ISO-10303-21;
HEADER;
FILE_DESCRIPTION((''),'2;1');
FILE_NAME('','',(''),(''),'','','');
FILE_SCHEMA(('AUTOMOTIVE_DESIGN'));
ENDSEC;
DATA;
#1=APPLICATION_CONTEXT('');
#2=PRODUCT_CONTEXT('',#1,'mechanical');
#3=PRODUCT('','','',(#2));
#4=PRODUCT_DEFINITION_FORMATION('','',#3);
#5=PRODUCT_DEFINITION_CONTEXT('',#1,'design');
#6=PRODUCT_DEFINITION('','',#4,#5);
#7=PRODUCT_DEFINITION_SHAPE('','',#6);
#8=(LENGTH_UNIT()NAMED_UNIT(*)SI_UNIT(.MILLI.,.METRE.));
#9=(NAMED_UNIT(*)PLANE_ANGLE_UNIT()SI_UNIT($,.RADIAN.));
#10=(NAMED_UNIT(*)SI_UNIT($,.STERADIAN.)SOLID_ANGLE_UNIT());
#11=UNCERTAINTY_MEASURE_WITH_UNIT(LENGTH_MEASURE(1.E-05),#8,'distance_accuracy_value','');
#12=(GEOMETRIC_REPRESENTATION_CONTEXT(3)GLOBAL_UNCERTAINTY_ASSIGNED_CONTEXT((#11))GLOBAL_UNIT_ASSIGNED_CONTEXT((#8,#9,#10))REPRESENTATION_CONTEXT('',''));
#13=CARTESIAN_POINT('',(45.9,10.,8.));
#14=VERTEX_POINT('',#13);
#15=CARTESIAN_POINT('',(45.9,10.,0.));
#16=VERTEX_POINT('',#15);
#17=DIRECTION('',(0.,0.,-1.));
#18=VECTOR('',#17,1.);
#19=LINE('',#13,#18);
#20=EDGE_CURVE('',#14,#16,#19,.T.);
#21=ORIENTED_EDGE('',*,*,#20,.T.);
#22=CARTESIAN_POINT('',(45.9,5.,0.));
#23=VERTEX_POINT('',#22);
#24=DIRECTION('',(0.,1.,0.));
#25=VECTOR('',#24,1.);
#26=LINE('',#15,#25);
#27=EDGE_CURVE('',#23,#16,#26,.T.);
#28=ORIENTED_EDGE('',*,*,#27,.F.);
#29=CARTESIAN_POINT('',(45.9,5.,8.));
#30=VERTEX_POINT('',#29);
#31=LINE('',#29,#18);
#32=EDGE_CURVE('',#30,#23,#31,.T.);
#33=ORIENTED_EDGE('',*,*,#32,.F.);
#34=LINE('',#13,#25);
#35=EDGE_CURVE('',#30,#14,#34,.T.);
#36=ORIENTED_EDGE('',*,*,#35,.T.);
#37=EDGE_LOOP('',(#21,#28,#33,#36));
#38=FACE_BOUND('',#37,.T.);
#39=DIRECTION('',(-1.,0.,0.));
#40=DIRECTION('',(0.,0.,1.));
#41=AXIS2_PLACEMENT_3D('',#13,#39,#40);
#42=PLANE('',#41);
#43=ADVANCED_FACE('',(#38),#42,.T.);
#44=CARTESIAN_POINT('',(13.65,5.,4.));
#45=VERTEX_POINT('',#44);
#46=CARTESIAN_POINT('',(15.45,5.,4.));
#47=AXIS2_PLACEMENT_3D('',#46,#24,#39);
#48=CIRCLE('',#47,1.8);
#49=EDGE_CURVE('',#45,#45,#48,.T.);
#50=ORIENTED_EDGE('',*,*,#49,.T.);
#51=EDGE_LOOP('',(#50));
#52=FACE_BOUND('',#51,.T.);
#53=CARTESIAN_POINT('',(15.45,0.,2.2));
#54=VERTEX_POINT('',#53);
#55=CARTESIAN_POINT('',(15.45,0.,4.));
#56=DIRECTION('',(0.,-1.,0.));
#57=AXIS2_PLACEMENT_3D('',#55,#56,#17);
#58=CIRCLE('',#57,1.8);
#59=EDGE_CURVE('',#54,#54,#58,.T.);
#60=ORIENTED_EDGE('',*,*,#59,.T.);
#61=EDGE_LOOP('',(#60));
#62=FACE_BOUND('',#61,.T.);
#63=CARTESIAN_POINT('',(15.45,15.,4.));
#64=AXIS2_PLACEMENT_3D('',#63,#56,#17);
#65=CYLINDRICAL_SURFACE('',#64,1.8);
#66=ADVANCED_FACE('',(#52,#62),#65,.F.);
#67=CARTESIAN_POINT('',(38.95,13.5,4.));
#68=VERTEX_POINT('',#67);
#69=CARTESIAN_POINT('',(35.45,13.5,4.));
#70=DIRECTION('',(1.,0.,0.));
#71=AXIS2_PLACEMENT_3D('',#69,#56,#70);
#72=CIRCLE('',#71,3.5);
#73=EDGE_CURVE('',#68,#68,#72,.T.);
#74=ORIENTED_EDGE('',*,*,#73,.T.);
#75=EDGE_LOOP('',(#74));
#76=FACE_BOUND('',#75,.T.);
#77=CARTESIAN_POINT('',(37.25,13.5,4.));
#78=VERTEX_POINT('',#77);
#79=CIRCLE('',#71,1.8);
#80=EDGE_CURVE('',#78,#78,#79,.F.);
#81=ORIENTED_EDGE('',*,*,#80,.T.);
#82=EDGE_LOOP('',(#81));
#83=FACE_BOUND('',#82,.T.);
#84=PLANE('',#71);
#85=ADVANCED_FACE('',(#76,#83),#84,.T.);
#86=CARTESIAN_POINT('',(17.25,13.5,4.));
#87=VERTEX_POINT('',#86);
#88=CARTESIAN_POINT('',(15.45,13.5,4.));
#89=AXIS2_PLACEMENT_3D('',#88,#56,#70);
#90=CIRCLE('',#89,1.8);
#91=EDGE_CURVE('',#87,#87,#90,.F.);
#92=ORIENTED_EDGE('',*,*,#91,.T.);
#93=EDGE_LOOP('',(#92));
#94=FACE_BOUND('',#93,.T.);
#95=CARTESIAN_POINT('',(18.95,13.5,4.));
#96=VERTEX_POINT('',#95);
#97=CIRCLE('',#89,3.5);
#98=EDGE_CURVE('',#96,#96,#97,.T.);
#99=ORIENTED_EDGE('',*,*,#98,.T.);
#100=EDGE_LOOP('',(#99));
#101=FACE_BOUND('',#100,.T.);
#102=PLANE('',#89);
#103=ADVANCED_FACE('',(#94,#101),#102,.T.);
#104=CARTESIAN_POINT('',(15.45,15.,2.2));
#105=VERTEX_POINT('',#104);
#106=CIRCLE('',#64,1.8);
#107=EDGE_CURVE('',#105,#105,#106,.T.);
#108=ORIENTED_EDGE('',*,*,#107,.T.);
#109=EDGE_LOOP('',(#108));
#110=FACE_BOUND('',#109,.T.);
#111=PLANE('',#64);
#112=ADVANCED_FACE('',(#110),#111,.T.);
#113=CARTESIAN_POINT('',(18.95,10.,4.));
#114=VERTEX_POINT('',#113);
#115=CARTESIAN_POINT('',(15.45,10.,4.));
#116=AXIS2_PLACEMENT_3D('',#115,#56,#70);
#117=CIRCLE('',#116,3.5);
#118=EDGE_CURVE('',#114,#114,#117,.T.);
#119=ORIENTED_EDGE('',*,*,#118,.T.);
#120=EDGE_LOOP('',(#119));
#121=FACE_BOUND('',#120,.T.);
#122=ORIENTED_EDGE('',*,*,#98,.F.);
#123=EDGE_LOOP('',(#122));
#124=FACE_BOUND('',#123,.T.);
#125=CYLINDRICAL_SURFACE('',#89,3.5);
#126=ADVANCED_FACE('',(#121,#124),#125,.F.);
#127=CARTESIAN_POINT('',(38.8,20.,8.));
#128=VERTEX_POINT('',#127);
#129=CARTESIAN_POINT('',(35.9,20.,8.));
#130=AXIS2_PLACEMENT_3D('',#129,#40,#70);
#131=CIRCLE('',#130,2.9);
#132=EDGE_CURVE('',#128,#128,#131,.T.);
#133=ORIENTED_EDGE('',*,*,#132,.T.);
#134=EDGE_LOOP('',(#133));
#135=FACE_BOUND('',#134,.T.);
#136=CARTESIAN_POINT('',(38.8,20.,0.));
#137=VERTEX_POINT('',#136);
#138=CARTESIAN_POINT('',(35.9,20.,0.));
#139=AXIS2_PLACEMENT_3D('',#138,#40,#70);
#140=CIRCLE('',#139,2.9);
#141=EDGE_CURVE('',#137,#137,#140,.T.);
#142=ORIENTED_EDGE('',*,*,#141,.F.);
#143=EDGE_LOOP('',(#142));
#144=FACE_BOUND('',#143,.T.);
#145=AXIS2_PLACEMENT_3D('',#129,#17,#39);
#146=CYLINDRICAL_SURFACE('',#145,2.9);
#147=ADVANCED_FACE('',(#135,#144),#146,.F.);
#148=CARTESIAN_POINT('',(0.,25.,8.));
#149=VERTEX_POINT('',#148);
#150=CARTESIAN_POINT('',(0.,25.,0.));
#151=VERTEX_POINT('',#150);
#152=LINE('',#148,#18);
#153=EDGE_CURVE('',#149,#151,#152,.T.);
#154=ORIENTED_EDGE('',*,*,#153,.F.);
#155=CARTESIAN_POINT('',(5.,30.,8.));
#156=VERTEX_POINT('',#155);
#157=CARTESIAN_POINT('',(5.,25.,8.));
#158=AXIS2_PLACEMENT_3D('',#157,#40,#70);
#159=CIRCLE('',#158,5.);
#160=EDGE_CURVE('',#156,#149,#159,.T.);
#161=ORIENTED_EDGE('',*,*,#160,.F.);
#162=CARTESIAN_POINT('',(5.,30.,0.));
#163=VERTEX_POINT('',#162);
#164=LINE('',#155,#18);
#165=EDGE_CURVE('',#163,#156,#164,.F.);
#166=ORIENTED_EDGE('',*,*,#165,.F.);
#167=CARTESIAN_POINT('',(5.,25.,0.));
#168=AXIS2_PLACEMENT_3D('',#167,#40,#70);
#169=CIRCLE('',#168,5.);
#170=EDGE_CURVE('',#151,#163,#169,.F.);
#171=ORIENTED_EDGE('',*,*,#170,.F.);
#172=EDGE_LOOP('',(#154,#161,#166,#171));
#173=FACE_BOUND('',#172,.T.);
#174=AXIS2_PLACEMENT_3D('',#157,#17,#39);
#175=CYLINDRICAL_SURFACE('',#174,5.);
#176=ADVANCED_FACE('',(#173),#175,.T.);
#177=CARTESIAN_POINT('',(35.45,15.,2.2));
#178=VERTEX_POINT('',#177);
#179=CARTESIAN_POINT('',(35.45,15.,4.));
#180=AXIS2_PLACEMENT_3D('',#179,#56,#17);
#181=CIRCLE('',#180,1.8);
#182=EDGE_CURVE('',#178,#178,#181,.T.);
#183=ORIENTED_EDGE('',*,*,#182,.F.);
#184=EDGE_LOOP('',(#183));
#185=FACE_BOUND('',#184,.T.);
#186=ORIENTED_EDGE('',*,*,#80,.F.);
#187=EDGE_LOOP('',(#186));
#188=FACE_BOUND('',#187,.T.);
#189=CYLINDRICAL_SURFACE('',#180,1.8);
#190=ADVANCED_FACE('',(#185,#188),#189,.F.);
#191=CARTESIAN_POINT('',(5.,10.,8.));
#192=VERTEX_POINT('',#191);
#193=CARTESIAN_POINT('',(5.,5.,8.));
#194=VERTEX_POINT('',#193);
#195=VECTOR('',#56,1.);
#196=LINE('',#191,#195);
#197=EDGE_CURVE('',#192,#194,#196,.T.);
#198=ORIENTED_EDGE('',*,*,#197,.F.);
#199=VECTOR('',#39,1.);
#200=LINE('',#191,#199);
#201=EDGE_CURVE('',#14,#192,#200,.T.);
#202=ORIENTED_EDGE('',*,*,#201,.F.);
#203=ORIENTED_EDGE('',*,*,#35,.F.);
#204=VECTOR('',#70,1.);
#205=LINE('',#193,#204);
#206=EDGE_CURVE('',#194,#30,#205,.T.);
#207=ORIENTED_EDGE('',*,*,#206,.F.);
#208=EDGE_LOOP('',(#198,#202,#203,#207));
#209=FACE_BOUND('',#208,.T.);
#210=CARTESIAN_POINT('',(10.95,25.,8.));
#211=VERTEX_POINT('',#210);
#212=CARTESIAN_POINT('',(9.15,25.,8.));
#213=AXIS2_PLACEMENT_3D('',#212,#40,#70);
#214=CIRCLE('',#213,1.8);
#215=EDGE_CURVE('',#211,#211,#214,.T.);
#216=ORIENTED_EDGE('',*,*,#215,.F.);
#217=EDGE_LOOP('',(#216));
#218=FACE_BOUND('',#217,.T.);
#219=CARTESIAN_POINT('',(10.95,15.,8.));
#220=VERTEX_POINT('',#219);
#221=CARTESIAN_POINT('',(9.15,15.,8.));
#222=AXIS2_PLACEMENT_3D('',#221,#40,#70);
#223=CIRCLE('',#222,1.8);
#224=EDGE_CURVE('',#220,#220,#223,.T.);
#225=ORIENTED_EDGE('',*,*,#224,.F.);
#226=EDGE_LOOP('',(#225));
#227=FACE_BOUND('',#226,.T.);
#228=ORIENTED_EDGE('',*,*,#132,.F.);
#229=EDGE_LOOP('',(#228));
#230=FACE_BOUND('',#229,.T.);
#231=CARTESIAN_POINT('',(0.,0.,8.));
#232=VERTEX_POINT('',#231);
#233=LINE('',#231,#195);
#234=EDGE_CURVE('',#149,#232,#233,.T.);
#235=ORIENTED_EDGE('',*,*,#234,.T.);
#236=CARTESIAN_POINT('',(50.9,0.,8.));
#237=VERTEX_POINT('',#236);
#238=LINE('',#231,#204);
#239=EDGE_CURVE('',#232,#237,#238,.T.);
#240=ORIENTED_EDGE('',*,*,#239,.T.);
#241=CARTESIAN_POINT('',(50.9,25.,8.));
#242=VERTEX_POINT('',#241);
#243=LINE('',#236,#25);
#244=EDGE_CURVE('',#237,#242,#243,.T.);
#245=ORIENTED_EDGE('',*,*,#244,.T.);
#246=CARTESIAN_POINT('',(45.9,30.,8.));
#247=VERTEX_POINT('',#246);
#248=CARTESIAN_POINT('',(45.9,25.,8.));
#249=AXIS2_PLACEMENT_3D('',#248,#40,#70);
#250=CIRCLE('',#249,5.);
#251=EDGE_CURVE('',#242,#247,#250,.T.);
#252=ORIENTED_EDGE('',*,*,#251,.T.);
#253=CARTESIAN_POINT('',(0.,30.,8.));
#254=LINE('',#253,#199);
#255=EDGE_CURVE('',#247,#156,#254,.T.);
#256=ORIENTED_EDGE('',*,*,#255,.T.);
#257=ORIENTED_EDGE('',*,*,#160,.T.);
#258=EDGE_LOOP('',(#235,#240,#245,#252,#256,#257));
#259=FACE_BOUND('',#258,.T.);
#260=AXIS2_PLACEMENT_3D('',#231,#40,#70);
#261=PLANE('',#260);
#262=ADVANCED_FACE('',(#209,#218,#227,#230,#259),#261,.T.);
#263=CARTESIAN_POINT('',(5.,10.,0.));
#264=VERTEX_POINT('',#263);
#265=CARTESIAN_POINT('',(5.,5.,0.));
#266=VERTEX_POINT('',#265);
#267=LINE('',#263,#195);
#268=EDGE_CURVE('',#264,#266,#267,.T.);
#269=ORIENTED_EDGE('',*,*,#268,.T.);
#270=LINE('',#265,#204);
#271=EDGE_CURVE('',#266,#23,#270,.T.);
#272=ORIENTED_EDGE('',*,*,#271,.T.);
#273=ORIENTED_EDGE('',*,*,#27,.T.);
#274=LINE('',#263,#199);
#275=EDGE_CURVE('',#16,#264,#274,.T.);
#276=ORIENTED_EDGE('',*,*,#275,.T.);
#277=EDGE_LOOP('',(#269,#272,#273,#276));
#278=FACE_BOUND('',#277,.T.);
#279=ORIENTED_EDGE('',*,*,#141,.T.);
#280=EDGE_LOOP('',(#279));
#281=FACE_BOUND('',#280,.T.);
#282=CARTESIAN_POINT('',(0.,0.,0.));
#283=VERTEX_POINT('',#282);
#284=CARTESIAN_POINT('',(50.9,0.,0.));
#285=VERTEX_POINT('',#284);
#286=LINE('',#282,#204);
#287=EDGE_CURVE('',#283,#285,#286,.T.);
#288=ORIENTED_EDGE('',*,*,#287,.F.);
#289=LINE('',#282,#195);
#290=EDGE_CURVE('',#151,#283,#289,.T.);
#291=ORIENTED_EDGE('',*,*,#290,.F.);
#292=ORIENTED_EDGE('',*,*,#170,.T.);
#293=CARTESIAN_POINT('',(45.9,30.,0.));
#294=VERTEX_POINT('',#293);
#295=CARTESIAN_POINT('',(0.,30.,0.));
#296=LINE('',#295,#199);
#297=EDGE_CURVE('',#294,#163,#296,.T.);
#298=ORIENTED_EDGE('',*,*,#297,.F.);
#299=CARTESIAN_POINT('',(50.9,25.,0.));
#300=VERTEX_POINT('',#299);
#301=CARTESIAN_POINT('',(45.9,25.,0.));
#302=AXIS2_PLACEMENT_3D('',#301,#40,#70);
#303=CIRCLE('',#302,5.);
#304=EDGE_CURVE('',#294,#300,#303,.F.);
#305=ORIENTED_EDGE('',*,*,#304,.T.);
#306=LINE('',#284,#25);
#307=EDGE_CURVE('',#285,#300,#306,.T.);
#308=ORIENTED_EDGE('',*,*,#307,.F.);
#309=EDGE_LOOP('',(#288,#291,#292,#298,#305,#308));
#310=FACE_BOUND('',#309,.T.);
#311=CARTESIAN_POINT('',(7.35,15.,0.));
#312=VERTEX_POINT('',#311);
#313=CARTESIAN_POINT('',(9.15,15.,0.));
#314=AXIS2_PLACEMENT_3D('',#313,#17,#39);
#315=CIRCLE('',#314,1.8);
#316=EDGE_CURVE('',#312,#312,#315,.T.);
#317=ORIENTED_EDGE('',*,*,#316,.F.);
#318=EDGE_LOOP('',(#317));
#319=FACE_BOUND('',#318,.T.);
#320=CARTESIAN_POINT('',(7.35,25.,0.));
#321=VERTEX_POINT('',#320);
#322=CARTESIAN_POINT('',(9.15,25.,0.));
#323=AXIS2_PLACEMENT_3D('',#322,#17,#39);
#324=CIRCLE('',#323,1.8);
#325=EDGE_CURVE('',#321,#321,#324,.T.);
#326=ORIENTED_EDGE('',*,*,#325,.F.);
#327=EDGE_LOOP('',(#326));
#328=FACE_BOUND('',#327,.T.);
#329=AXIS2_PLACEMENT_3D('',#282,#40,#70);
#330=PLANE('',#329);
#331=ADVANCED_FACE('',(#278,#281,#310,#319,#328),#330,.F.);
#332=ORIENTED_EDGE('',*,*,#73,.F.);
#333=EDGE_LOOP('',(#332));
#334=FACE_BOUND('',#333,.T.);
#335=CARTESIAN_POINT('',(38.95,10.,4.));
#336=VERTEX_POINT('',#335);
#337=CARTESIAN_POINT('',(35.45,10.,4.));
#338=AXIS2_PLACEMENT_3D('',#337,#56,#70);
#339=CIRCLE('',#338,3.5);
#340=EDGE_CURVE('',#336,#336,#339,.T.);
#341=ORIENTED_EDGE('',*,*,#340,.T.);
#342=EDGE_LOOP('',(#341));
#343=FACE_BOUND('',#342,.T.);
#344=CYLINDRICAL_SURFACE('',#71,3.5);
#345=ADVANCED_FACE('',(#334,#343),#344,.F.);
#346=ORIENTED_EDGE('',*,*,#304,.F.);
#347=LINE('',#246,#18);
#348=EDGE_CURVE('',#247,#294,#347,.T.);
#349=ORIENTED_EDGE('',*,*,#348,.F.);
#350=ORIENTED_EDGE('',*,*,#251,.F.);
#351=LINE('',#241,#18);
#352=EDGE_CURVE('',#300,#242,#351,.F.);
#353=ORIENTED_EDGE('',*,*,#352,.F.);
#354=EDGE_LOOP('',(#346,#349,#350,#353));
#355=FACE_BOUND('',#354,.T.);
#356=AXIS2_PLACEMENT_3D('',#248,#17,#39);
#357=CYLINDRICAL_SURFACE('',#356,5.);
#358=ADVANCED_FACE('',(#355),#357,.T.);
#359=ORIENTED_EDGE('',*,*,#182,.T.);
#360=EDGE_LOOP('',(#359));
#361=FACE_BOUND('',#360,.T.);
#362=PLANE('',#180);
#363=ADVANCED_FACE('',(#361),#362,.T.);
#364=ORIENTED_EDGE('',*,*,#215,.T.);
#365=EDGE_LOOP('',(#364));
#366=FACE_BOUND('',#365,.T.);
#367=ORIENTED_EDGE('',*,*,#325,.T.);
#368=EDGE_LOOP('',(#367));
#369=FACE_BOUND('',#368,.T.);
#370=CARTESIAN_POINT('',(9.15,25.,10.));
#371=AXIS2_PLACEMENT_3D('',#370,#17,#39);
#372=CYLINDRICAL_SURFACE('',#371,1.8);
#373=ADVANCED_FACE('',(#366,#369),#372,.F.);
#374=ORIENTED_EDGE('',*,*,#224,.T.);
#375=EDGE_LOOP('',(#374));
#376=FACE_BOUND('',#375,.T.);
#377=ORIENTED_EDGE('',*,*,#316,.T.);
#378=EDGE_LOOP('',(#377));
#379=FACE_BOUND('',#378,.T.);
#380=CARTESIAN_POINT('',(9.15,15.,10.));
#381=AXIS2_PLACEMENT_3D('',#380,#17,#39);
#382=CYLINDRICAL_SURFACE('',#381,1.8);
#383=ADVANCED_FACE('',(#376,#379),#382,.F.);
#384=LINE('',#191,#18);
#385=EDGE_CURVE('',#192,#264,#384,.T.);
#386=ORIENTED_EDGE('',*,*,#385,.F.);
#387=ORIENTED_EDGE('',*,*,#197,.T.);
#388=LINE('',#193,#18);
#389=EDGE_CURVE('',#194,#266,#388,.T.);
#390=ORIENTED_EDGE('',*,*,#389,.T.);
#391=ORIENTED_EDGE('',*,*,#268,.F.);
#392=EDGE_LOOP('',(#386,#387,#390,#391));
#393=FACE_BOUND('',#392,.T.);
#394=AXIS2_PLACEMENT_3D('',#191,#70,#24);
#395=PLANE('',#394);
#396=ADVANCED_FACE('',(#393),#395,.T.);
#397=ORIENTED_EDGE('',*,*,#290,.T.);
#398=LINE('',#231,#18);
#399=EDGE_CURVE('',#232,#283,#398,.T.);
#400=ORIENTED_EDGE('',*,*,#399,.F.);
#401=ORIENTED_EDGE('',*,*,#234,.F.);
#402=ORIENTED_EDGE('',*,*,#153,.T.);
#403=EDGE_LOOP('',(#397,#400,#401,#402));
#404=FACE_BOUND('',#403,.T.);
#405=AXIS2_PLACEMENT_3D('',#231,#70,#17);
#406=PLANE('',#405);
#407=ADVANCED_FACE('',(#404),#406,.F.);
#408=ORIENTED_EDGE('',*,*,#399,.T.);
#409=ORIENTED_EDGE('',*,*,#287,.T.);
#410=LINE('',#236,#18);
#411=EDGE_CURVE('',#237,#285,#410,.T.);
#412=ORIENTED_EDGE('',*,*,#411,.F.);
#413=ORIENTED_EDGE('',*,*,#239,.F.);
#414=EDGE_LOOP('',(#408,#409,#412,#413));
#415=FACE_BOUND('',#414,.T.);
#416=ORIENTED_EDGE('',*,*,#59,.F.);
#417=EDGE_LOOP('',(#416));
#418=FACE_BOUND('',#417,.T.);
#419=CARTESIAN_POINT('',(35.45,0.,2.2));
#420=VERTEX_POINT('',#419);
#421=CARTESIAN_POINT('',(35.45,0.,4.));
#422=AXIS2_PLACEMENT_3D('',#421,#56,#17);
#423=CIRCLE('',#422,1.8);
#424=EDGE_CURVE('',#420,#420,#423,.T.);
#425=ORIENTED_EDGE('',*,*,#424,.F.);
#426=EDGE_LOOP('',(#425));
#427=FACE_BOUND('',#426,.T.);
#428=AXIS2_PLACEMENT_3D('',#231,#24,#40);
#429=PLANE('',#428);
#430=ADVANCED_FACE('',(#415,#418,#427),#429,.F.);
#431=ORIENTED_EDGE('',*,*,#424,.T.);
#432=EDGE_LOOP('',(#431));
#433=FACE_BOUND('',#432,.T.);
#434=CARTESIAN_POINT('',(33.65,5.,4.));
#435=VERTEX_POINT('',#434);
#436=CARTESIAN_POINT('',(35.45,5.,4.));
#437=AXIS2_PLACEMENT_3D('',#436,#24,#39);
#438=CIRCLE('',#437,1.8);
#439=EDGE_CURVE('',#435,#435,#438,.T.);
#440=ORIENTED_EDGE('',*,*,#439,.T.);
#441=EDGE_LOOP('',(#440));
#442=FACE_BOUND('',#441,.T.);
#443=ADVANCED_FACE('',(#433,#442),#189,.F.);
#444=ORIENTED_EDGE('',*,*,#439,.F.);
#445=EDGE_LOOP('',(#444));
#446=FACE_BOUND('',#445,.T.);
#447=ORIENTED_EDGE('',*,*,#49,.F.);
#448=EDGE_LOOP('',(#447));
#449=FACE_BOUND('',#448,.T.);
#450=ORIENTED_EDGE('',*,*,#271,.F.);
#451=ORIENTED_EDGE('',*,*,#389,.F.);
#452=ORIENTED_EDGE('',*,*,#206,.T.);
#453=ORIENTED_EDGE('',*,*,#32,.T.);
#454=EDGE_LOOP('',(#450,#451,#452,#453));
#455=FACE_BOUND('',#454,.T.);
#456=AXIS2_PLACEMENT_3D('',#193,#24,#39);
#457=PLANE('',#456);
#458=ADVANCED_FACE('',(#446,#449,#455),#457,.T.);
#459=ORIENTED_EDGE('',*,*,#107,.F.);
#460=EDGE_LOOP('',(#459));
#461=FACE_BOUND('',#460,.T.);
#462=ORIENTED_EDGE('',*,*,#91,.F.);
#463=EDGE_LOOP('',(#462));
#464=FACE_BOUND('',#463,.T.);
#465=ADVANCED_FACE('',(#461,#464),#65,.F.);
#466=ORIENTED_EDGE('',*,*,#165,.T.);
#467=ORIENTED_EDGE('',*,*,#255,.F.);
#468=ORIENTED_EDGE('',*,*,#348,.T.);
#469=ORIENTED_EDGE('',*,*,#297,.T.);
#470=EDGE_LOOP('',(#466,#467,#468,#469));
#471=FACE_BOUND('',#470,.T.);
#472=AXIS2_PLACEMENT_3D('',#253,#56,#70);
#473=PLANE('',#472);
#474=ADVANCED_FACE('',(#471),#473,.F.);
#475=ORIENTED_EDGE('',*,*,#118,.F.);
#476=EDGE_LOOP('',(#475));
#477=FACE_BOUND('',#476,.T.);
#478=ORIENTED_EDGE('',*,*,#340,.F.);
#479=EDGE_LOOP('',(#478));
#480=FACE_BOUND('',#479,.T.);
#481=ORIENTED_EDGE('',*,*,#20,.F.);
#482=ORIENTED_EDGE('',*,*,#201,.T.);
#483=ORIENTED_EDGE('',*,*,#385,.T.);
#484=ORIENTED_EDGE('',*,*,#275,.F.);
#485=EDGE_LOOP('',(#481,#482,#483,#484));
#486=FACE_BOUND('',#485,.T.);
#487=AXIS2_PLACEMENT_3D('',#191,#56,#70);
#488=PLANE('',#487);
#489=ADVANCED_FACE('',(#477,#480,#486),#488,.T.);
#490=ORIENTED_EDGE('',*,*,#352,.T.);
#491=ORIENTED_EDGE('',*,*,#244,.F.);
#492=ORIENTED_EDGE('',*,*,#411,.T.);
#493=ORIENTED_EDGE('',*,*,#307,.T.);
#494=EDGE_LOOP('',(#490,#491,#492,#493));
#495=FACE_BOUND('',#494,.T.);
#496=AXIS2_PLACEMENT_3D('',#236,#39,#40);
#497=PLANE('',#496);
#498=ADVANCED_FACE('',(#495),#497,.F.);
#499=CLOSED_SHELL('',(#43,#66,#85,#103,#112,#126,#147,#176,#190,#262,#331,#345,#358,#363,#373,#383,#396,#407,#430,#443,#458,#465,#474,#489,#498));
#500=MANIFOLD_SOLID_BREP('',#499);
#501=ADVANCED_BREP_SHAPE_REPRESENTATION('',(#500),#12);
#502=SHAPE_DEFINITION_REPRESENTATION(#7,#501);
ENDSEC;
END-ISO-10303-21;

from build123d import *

# Parameters (mm, degrees)
ESQUISSE1_W             = 50.9
ESQUISSE1_H             = 30
ESQUISSE1_R             = 2.9
ESQUISSE1_W_2           = 40.9
ESQUISSE1_H_2           = 5
BOSS_EXTRU_1_DEPTH      = 8
ESQUISSE2_R             = 1.8
ENL_V_MAT_EXTRU_1_DEPTH = 15
CONG_1_R                = 5
ESQUISSE3_R             = 1.8
ENL_V_MAT_EXTRU_2_DEPTH = 10
ESQUISSE4_R             = 3.5
ENL_V_MAT_EXTRU_3_DEPTH = 3.5


with BuildPart() as part:
    # Esquisse1 → Boss.-Extru.1 (new body)
    with BuildSketch(Plane.XY):
        with Locations((25.45, 15)):
            Rectangle(ESQUISSE1_W, ESQUISSE1_H)
        with Locations((35.9, 20)):
            Circle(ESQUISSE1_R, mode=Mode.SUBTRACT)
        with Locations((25.45, 7.5)):
            Rectangle(ESQUISSE1_W_2, ESQUISSE1_H_2, mode=Mode.SUBTRACT)
    extrude(amount=BOSS_EXTRU_1_DEPTH)

    # Esquisse2 → Enlèv. mat.-Extru.1 (cut)
    with BuildSketch(Plane.XZ):
        with Locations(Location((15.45, 4, 0), (0, 0, 270))):
            Circle(ESQUISSE2_R)
        with Locations(Location((35.45, 4, 0), (0, 0, 270))):
            Circle(ESQUISSE2_R)
    extrude(amount=-ENL_V_MAT_EXTRU_1_DEPTH, mode=Mode.SUBTRACT)

    # Congé1
    cong_1_edges = [part.edges().sort_by_distance(p)[0] for p in [
        (0, 30, 4),
        (50.9, 30, 4),
    ]]
    fillet(cong_1_edges, radius=CONG_1_R)

    # Esquisse3 → Enlèv. mat.-Extru.2 (cut)
    with BuildSketch(Plane(origin=(0, 0, 0), x_dir=(-1, 0, 0), z_dir=(0, 0, -1))):
        with Locations((-9.15, 25)):
            Circle(ESQUISSE3_R)
        with Locations((-9.15, 15)):
            Circle(ESQUISSE3_R)
    extrude(amount=-ENL_V_MAT_EXTRU_2_DEPTH, mode=Mode.SUBTRACT)

    # Esquisse4 → Enlèv. mat.-Extru.3 (cut)
    with BuildSketch(Plane.XZ.offset(-10)):
        with Locations((15.45, 4)):
            Circle(ESQUISSE4_R)
        with Locations((35.45, 4)):
            Circle(ESQUISSE4_R)
    extrude(amount=-ENL_V_MAT_EXTRU_3_DEPTH, mode=Mode.SUBTRACT)


solid = part.part
